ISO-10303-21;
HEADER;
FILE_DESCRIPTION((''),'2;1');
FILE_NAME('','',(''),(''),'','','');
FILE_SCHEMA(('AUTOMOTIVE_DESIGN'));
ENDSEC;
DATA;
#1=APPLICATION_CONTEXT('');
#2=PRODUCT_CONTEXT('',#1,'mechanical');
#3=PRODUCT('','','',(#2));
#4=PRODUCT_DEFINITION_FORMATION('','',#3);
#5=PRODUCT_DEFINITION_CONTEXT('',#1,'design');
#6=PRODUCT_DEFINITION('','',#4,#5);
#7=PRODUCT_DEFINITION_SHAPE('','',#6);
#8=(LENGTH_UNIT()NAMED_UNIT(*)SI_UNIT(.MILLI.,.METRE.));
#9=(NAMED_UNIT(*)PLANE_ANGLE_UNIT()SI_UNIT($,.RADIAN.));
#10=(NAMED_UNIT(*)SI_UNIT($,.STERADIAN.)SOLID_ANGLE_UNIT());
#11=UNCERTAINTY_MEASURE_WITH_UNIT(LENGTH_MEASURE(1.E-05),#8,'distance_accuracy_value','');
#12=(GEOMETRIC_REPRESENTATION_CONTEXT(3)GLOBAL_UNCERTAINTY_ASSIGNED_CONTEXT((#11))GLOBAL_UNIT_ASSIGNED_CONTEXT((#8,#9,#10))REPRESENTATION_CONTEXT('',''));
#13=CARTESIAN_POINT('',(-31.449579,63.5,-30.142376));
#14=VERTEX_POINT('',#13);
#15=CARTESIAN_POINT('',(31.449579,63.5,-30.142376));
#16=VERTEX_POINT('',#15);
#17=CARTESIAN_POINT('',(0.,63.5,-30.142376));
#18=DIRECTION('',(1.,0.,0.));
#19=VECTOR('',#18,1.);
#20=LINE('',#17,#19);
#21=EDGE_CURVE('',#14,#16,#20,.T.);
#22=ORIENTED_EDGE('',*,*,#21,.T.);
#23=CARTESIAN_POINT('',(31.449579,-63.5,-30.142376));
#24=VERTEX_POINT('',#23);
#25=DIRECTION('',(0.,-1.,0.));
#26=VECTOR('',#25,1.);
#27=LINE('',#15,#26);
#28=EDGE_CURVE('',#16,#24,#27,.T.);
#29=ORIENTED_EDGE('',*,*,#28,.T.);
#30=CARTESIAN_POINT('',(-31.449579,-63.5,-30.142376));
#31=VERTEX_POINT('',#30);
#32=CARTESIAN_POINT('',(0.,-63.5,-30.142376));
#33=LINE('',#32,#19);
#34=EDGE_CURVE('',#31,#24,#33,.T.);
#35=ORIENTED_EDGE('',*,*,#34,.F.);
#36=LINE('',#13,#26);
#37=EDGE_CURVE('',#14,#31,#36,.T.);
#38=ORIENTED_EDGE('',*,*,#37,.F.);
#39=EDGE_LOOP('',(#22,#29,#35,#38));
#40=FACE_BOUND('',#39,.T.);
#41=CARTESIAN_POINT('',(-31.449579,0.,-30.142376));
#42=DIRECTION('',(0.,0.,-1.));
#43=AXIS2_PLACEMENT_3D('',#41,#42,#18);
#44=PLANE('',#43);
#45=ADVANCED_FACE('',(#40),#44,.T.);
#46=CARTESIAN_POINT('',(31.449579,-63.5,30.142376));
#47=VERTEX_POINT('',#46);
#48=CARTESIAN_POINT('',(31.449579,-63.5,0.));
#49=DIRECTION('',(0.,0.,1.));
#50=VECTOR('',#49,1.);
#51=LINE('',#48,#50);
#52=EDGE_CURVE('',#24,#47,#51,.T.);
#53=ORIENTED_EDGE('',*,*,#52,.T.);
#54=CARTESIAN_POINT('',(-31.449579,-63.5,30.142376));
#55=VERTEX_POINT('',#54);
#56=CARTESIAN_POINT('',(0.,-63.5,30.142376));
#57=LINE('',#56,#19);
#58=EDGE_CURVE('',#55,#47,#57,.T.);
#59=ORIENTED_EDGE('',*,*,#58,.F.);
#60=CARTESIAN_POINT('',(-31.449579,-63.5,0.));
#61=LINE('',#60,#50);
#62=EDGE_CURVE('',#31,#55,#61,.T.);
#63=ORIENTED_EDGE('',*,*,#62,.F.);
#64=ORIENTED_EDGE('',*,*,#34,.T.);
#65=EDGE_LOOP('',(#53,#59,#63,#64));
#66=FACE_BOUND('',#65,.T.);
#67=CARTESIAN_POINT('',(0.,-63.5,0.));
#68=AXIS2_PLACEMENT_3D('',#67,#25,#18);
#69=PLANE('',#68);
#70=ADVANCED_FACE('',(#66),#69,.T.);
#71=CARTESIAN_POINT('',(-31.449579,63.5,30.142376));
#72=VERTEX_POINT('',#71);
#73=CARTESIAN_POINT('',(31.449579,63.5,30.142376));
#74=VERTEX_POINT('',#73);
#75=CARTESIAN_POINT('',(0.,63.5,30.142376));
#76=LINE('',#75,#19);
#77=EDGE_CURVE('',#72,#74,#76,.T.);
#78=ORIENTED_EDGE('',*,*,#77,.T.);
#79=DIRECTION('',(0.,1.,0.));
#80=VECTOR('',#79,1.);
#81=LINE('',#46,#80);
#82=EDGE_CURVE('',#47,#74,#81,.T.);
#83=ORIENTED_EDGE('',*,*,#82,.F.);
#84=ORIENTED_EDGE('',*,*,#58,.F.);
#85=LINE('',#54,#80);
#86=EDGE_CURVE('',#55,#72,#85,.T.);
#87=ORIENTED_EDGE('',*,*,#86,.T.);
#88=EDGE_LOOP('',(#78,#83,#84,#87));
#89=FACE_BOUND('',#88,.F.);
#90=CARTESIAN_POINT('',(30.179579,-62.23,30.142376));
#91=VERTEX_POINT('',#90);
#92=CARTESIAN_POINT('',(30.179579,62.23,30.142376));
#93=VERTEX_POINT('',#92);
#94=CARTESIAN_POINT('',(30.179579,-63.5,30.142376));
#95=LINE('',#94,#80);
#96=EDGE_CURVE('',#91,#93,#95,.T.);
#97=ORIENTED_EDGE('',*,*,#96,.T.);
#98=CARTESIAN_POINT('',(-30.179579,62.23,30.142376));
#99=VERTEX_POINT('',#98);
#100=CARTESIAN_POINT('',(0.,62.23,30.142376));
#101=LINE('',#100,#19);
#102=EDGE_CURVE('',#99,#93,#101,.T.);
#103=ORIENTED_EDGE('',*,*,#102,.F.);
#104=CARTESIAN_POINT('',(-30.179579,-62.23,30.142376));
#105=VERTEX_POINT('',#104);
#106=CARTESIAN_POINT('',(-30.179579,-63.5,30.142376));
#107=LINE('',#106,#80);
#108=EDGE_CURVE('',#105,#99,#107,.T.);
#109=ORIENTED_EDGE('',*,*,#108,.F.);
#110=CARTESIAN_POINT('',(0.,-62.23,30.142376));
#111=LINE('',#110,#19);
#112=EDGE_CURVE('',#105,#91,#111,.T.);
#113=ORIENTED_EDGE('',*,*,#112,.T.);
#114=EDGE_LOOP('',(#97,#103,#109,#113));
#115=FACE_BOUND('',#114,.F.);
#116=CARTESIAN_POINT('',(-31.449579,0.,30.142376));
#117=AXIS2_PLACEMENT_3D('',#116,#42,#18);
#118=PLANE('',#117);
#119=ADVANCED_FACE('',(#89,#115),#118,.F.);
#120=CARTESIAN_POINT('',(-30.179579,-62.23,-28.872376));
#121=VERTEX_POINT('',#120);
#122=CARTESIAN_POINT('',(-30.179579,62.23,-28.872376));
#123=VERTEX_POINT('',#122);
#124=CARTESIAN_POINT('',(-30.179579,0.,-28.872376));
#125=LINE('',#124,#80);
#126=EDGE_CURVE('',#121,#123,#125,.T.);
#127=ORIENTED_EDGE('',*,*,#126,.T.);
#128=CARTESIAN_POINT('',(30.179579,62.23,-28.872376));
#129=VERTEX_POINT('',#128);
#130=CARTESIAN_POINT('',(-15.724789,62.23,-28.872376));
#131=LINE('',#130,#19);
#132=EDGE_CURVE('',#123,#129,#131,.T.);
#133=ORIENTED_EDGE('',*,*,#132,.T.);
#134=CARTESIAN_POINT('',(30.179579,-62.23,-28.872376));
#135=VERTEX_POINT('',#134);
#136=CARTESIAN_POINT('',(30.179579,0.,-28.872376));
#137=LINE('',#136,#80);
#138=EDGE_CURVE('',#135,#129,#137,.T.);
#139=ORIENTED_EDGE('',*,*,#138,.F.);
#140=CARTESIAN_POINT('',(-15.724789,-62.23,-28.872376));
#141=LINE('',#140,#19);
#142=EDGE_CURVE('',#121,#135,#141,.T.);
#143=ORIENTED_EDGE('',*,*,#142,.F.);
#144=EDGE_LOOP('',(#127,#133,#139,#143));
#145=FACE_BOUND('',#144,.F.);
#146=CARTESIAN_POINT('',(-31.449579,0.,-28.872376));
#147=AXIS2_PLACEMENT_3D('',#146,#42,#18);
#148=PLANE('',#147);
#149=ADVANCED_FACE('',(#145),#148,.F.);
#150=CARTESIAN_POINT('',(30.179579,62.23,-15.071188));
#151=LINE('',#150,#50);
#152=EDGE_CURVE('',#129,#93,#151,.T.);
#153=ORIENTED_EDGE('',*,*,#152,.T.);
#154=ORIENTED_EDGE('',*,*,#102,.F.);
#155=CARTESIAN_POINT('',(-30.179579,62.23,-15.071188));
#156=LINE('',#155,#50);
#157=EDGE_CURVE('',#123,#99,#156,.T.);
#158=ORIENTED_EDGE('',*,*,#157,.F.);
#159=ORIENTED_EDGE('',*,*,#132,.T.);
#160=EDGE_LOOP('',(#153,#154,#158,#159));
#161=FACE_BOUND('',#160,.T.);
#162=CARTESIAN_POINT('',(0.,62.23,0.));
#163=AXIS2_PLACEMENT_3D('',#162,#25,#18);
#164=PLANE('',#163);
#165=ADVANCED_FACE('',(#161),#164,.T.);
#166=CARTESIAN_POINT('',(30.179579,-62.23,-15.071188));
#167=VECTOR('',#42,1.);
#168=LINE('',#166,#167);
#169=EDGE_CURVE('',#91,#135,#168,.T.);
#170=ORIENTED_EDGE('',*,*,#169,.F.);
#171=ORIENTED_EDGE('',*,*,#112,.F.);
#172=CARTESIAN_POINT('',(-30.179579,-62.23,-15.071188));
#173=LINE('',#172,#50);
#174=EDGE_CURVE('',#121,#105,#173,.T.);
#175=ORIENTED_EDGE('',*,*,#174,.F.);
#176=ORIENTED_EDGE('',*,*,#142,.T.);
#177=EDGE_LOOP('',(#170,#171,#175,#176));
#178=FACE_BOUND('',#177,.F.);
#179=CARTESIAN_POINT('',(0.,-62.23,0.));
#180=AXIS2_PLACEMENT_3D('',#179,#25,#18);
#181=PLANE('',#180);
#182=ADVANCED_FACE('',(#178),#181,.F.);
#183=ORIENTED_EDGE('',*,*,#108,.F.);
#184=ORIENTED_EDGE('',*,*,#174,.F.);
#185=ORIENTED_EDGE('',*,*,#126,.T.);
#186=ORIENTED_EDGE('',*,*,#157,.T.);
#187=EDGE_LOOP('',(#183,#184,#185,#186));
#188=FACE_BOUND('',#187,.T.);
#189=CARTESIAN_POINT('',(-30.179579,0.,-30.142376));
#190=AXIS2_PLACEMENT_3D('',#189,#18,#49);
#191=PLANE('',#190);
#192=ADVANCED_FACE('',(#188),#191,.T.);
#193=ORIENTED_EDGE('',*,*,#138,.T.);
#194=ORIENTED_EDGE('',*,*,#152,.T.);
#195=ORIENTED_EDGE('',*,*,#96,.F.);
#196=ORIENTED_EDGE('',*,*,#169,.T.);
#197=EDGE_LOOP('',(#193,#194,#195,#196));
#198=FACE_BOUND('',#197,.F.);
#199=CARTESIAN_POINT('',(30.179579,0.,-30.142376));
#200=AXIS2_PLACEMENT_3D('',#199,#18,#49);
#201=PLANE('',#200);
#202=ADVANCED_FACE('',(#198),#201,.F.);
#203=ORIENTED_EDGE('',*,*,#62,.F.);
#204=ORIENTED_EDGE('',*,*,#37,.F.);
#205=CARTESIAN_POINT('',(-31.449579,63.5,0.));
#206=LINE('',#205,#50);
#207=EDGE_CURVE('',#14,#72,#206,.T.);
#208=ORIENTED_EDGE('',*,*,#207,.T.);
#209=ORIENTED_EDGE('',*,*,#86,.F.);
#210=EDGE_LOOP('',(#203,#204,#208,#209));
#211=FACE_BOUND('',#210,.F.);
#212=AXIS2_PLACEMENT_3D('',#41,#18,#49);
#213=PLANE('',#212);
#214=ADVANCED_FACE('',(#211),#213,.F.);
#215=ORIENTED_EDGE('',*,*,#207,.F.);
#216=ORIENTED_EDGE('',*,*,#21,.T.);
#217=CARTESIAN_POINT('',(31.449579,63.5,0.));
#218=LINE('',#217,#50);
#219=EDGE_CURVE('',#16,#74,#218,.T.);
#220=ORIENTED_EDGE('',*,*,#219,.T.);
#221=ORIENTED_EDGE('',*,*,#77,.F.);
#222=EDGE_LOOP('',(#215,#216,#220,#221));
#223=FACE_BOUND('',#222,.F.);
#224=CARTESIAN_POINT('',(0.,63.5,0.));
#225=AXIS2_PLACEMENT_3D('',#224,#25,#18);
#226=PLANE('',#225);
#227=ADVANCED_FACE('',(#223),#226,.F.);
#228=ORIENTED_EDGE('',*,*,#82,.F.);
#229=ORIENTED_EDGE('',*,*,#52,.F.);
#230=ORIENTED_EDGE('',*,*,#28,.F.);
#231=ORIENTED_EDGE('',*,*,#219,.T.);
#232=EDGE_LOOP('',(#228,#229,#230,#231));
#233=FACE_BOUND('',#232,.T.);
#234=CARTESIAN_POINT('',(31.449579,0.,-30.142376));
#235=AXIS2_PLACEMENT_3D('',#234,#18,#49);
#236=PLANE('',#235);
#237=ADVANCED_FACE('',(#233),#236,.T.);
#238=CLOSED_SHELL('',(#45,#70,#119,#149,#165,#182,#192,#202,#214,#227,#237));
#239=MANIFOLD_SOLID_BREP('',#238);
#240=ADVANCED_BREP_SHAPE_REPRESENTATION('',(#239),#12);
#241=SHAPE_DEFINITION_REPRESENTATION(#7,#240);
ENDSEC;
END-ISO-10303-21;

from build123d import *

# Parameters (mm, degrees)
F0_W     = 62.899158
F0_H     = 60.284752
F1_DEPTH = 63.5
F2_T     = -1.27


with BuildPart() as f1:
    # F0 (on Front) → F1 (new body, symmetric)
    with BuildSketch(Plane.XZ):
        Rectangle(F0_W, F0_H)
    extrude(amount=F1_DEPTH, both=True)

    # F2
    f2_openings = [f1.faces().sort_by_distance(p)[0] for p in [
        (0, 0, 30.142376),
    ]]
    offset(amount=F2_T, openings=f2_openings)


solid = f1.part
